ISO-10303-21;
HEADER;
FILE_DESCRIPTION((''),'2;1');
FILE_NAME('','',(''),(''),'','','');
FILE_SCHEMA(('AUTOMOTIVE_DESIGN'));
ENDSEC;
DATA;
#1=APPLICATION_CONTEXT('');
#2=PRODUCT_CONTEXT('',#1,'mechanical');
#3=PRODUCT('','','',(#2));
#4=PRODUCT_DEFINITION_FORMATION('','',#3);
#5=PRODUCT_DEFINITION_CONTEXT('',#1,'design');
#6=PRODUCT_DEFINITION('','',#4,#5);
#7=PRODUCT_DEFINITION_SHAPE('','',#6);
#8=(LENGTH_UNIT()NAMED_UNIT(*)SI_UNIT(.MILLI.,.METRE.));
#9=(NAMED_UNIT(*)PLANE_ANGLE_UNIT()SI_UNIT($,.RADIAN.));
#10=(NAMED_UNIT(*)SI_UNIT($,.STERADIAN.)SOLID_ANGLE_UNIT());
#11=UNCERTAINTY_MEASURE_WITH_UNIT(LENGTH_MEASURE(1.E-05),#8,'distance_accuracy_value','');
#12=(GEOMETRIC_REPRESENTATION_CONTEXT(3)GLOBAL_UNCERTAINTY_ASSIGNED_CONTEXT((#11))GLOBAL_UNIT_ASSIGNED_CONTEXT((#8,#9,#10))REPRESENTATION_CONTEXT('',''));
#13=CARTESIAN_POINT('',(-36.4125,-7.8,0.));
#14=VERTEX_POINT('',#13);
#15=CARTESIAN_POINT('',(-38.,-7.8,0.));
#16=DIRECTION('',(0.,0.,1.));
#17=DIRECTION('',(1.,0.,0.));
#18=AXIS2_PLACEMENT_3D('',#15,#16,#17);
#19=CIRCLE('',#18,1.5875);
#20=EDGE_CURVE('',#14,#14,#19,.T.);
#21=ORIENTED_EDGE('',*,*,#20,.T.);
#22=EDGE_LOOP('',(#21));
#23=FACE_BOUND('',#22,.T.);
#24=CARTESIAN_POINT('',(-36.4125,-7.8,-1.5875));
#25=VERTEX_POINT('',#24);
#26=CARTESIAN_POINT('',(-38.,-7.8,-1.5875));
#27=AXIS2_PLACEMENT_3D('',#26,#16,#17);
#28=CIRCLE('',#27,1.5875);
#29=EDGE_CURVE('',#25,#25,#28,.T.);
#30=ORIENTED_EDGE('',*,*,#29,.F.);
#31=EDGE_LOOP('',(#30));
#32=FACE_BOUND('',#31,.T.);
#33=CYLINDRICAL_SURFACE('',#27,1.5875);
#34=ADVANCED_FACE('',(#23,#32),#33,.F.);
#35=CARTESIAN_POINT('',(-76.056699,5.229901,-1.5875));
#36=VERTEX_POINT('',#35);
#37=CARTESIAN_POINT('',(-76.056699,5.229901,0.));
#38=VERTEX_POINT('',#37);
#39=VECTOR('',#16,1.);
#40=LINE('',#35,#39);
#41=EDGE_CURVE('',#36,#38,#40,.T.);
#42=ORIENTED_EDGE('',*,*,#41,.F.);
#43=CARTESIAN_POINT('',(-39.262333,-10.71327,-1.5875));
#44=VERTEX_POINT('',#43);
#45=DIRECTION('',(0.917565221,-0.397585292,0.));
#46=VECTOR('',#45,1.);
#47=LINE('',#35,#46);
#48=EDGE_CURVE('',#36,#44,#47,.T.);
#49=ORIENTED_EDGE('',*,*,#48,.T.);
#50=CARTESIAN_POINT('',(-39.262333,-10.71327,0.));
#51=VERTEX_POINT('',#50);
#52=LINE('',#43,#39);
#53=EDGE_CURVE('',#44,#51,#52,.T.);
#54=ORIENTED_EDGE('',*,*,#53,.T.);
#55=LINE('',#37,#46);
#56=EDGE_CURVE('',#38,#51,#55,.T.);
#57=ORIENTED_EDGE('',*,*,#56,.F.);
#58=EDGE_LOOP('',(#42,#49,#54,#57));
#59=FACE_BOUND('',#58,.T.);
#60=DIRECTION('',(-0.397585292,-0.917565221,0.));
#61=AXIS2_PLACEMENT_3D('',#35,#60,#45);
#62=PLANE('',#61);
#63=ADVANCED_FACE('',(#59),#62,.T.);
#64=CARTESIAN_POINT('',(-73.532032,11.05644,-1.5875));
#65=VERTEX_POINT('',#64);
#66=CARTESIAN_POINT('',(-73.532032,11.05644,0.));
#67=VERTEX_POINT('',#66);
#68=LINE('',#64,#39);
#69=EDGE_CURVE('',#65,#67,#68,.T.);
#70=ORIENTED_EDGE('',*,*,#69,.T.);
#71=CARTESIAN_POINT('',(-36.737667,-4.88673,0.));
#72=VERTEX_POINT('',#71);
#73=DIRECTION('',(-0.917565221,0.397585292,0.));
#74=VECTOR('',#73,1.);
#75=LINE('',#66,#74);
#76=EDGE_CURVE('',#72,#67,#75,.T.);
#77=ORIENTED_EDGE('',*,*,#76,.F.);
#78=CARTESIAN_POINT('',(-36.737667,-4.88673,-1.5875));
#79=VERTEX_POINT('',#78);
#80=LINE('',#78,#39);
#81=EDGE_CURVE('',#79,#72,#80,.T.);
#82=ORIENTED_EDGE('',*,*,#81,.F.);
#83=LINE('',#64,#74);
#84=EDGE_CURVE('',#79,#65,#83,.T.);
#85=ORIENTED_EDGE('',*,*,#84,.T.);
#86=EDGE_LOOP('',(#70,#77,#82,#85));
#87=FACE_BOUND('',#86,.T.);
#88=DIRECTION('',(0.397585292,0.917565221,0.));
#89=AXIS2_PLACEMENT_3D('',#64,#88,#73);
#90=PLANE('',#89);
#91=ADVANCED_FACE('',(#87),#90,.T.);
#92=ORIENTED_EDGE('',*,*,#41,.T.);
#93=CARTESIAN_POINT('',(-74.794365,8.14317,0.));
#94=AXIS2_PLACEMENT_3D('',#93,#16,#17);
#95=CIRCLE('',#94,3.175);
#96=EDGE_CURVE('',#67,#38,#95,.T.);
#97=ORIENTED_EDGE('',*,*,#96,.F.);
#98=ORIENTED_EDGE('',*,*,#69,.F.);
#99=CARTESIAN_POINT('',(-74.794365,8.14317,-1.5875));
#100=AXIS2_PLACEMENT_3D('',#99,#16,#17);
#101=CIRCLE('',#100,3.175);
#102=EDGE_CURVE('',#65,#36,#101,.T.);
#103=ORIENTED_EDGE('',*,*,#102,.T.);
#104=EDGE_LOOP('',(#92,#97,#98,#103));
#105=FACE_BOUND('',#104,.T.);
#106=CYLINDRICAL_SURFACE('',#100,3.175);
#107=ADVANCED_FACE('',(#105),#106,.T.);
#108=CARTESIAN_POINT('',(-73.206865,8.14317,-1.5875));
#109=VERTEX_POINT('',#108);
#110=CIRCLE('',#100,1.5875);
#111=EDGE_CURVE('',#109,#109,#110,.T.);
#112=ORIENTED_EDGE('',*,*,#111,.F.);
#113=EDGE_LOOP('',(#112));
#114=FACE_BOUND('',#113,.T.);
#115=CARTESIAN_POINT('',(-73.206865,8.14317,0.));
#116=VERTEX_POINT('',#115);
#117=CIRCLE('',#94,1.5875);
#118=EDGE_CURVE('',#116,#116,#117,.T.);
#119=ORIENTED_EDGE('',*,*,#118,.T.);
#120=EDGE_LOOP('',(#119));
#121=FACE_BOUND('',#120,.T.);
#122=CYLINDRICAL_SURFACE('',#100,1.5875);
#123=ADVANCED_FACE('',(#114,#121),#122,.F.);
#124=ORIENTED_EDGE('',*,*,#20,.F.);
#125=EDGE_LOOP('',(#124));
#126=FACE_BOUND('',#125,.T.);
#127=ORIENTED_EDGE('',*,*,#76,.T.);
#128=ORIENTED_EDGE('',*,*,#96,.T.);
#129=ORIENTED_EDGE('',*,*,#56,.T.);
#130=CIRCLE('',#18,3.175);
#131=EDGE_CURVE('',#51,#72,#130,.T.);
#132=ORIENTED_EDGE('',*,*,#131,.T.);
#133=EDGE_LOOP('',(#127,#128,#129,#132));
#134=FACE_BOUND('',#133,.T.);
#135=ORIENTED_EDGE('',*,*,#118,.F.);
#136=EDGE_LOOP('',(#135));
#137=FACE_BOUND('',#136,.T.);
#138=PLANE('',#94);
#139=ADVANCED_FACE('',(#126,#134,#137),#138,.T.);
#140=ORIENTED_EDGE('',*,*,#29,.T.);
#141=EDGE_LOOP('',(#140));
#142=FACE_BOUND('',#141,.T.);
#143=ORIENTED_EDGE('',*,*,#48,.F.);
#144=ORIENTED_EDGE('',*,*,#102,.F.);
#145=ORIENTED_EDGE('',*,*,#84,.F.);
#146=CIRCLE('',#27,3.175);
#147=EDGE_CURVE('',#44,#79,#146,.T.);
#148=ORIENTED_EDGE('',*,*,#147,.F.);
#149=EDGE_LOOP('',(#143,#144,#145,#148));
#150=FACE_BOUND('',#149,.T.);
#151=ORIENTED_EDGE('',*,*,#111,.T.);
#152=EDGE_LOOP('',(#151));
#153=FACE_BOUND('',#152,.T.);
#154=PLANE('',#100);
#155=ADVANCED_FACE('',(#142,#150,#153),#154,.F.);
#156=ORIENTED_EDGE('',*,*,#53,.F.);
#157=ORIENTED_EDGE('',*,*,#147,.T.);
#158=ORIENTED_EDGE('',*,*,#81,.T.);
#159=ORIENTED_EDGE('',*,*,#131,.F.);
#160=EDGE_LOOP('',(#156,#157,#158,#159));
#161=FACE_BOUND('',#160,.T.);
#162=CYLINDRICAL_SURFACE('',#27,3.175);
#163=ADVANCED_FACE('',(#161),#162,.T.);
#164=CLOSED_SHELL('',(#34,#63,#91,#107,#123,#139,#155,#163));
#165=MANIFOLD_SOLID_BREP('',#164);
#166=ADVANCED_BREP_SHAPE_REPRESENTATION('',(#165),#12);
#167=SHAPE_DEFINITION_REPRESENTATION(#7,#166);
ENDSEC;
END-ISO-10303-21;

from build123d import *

# Parameters (mm, degrees)
SKETCH1_R           = 1.5875
BOSS_EXTRUDE1_DEPTH = 1.5875


with BuildPart() as part:
    # Sketch1 → Boss-Extrude1 (new body)
    with BuildSketch(Plane.XY):
        with BuildLine():
            Line((-73.532032079, 11.056439784), (-36.737666698, -4.886730422))
            ThreePointArc((-36.737666698, -4.886730422), (-35.086730422, -9.062333302), (-39.262333302, -10.713269578))
            Line((-39.262333302, -10.713269578), (-76.056698683, 5.229900628))
            ThreePointArc((-76.056698683, 5.229900628), (-77.707634959, 9.405503508), (-73.532032079, 11.056439784))
        make_face()
        with Locations((-38, -7.8)):
            Circle(SKETCH1_R, mode=Mode.SUBTRACT)
        with Locations((-74.794365381, 8.143170206)):
            Circle(SKETCH1_R, mode=Mode.SUBTRACT)
    extrude(amount=-BOSS_EXTRUDE1_DEPTH)


solid = part.part
